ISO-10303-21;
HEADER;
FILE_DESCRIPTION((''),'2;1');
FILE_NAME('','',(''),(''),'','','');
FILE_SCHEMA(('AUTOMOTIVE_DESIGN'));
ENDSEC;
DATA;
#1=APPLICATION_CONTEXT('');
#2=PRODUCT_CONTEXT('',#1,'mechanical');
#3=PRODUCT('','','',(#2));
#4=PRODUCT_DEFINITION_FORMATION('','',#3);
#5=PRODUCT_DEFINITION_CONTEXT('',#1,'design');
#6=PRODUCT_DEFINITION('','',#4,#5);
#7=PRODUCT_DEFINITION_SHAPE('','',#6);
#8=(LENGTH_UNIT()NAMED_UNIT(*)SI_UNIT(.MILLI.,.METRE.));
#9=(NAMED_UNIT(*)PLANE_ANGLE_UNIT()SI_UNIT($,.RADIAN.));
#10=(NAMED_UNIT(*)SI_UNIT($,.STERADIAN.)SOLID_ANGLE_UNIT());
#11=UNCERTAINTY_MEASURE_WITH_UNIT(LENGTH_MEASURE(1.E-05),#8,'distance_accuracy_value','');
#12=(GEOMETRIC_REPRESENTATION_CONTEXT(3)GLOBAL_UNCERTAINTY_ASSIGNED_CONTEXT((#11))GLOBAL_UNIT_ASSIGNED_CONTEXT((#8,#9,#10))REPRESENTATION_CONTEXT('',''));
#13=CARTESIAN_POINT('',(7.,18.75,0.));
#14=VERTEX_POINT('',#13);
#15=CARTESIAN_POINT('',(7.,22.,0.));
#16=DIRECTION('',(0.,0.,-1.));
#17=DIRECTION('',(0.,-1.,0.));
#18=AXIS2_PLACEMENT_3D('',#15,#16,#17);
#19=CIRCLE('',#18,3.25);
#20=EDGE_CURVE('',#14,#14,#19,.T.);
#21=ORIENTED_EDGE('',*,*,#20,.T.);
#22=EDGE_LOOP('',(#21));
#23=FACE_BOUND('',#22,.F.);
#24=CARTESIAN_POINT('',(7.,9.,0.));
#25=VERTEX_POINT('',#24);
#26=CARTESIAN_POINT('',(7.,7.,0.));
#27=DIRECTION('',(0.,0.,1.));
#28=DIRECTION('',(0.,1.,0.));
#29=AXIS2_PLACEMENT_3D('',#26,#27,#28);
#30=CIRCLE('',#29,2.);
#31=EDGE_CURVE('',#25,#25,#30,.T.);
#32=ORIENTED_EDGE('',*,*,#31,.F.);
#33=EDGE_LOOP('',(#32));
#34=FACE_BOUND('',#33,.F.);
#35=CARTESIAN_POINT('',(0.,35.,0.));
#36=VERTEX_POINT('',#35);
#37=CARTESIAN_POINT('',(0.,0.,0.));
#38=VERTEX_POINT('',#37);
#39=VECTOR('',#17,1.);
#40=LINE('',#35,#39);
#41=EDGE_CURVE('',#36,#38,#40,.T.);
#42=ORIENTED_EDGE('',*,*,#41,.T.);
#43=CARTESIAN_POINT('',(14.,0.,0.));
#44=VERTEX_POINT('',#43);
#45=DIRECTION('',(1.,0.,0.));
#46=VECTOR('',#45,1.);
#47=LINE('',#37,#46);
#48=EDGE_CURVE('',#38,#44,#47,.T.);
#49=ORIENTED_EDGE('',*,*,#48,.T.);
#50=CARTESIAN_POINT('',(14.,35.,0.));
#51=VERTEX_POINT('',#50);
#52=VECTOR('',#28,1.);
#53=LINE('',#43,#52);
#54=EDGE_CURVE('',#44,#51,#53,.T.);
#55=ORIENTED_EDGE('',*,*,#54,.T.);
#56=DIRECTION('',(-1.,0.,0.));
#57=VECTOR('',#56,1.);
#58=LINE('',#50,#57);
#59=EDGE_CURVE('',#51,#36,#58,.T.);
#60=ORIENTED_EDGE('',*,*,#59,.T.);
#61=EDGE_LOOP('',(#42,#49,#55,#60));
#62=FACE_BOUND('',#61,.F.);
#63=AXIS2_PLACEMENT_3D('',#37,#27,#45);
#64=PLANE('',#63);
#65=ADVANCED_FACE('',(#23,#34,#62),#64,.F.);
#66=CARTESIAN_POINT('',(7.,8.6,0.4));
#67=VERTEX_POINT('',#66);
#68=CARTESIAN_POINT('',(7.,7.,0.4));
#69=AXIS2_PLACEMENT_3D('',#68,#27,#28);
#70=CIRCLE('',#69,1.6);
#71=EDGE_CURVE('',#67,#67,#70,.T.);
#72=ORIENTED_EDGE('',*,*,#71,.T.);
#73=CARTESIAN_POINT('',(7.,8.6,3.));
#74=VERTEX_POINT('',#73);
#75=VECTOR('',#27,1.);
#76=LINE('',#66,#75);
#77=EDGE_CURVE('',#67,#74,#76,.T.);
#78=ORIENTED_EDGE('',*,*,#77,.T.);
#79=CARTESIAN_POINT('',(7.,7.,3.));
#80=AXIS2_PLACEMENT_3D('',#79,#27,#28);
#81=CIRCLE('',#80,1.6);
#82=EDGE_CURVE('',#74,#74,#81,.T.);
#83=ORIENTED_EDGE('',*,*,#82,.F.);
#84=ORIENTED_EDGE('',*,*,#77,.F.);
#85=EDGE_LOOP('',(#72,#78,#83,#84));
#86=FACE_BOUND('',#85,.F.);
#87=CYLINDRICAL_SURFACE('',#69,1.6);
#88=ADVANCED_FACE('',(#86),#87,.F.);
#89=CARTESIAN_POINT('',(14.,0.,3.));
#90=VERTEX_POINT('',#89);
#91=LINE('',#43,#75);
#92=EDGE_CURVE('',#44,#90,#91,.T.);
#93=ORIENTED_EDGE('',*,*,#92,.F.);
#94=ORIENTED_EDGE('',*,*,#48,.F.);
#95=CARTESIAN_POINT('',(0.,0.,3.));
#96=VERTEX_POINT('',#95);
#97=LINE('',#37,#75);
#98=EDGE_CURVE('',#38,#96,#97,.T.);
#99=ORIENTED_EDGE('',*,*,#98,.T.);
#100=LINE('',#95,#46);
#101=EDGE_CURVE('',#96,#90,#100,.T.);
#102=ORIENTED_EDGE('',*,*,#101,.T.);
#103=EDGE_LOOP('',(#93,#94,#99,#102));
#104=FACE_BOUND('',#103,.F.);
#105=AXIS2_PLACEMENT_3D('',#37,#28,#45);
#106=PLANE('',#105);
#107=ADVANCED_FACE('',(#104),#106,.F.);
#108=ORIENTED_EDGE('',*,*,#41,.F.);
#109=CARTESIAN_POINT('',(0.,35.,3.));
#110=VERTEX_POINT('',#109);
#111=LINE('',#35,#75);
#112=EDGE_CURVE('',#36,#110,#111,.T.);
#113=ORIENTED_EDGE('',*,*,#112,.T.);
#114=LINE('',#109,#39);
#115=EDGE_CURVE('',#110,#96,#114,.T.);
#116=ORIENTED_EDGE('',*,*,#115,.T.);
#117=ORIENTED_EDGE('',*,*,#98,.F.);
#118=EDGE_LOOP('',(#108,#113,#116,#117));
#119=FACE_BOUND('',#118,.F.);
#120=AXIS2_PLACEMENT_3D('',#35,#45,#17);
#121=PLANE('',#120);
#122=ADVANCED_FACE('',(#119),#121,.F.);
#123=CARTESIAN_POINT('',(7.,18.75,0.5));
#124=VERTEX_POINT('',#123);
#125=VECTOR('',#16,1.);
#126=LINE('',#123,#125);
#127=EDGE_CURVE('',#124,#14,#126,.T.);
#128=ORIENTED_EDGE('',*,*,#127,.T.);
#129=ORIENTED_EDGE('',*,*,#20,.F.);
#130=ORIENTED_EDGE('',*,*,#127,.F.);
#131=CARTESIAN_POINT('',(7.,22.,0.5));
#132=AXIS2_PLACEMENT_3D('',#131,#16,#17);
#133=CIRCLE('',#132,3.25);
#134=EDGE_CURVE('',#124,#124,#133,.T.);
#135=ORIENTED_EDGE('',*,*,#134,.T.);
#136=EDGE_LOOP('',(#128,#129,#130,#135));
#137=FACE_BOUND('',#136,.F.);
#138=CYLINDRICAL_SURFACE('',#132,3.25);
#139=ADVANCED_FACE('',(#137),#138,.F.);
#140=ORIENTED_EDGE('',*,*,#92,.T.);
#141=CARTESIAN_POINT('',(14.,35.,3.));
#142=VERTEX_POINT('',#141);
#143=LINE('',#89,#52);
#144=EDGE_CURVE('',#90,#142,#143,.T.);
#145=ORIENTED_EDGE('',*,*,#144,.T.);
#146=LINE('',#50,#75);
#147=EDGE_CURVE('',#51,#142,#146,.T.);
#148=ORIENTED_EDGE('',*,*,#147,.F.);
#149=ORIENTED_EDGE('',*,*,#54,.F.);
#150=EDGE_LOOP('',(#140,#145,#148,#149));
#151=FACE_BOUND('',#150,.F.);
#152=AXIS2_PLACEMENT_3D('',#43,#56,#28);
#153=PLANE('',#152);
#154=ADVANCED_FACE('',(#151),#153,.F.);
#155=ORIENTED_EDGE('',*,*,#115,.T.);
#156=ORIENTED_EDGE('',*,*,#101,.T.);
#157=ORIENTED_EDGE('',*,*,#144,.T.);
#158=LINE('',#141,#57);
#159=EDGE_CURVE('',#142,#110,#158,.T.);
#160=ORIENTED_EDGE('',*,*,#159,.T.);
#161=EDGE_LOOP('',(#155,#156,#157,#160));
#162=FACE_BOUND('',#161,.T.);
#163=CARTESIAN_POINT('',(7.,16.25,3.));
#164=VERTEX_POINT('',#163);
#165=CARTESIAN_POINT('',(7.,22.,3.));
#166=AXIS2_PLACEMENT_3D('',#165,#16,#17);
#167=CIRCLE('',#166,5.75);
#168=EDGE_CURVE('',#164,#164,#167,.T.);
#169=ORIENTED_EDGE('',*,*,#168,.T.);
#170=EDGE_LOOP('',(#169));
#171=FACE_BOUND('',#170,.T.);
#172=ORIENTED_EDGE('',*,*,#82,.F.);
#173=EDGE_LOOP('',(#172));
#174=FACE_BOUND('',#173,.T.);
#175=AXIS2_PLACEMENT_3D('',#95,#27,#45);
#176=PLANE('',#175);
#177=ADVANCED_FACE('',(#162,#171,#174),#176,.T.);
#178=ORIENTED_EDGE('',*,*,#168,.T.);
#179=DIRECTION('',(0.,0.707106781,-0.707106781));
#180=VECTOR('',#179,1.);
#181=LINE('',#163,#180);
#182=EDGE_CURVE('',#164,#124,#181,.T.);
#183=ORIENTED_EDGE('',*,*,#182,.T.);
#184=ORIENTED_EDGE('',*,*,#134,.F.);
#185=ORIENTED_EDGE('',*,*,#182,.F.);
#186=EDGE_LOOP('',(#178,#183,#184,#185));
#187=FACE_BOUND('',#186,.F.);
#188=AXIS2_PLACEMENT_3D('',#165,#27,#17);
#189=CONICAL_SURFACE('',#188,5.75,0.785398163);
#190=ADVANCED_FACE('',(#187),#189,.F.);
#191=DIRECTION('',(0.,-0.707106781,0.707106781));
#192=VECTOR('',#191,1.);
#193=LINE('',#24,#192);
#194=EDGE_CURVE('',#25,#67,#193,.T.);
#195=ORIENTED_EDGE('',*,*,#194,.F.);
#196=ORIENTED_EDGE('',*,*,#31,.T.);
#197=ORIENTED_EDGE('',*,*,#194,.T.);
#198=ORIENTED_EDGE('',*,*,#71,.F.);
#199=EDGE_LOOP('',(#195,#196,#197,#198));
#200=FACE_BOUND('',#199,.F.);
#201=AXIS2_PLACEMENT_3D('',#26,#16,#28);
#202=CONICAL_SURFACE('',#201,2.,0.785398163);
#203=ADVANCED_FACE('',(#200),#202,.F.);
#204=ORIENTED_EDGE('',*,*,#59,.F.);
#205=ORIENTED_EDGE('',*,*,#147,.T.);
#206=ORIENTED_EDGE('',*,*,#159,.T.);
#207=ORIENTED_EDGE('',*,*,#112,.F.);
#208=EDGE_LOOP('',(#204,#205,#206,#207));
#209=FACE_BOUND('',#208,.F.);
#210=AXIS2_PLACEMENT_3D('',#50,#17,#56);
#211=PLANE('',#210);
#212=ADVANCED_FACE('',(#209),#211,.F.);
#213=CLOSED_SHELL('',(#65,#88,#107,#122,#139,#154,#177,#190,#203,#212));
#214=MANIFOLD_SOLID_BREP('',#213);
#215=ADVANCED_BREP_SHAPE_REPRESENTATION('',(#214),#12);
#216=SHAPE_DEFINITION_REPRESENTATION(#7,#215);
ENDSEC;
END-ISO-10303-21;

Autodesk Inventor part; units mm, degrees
ref_plane "YZ Plane" through (0, 0, 0) normal (1, 0, 0) x (0, 1, 0)
ref_plane "XZ Plane" through (0, 0, 0) normal (0, 1, 0) x (-1, 0, 0)
ref_plane "XY Plane" through (0, 0, 0) normal (0, 0, 1) x (1, 0, 0)
sketch "Sketch1" plane through (0, 0, 0) normal (0, 0, 1) x (1, 0, 0)
  line L0 (0, 0) -> (14, 0)
  line L1 (14, 0) -> (14, 35)
  line L2 (14, 35) -> (0, 35)
  line L3 (0, 35) -> (0, 0)
  dimension "d0" = 14
  dimension "d1" = 35
extrude "Extrusion1" add sketch "Sketch1" along normal blind 3
sketch "Sketch2" plane through (0, 0, 3) normal (0, 0, 1) x (1, 0, 0)
  line L0 (0, 0) -> (0, 35) projected
  line L1 (0, 35) -> (14, 35) projected
  point P0 (7, 22)
  dimension "d4" = 13
  dimension "d5" = 7
hole "Hole1" at (7, 22, 3) direction (0, 0, -1) diameter 6.5 depth 3 tip angle 118 countersink diameter 11.5 countersink angle 90
sketch "Sketch3" plane through (0, 0, 0) normal (0, 0, -1) x (-1, 0, 0)
  line L0 (0, 0) -> (-14, 0) projected
  line L1 (0, 35) -> (0, 0) projected
  point P0 (-7, 7)
  dimension "d13" = 7
  dimension "d14" = 7
hole "Hole2" at (7, 7, 0) direction (0, 0, 1) diameter 3.2 depth 3 tip angle 118 countersink diameter 4 countersink angle 90
properties part number "SUPORTE(44)" material "Carbon Steel"
